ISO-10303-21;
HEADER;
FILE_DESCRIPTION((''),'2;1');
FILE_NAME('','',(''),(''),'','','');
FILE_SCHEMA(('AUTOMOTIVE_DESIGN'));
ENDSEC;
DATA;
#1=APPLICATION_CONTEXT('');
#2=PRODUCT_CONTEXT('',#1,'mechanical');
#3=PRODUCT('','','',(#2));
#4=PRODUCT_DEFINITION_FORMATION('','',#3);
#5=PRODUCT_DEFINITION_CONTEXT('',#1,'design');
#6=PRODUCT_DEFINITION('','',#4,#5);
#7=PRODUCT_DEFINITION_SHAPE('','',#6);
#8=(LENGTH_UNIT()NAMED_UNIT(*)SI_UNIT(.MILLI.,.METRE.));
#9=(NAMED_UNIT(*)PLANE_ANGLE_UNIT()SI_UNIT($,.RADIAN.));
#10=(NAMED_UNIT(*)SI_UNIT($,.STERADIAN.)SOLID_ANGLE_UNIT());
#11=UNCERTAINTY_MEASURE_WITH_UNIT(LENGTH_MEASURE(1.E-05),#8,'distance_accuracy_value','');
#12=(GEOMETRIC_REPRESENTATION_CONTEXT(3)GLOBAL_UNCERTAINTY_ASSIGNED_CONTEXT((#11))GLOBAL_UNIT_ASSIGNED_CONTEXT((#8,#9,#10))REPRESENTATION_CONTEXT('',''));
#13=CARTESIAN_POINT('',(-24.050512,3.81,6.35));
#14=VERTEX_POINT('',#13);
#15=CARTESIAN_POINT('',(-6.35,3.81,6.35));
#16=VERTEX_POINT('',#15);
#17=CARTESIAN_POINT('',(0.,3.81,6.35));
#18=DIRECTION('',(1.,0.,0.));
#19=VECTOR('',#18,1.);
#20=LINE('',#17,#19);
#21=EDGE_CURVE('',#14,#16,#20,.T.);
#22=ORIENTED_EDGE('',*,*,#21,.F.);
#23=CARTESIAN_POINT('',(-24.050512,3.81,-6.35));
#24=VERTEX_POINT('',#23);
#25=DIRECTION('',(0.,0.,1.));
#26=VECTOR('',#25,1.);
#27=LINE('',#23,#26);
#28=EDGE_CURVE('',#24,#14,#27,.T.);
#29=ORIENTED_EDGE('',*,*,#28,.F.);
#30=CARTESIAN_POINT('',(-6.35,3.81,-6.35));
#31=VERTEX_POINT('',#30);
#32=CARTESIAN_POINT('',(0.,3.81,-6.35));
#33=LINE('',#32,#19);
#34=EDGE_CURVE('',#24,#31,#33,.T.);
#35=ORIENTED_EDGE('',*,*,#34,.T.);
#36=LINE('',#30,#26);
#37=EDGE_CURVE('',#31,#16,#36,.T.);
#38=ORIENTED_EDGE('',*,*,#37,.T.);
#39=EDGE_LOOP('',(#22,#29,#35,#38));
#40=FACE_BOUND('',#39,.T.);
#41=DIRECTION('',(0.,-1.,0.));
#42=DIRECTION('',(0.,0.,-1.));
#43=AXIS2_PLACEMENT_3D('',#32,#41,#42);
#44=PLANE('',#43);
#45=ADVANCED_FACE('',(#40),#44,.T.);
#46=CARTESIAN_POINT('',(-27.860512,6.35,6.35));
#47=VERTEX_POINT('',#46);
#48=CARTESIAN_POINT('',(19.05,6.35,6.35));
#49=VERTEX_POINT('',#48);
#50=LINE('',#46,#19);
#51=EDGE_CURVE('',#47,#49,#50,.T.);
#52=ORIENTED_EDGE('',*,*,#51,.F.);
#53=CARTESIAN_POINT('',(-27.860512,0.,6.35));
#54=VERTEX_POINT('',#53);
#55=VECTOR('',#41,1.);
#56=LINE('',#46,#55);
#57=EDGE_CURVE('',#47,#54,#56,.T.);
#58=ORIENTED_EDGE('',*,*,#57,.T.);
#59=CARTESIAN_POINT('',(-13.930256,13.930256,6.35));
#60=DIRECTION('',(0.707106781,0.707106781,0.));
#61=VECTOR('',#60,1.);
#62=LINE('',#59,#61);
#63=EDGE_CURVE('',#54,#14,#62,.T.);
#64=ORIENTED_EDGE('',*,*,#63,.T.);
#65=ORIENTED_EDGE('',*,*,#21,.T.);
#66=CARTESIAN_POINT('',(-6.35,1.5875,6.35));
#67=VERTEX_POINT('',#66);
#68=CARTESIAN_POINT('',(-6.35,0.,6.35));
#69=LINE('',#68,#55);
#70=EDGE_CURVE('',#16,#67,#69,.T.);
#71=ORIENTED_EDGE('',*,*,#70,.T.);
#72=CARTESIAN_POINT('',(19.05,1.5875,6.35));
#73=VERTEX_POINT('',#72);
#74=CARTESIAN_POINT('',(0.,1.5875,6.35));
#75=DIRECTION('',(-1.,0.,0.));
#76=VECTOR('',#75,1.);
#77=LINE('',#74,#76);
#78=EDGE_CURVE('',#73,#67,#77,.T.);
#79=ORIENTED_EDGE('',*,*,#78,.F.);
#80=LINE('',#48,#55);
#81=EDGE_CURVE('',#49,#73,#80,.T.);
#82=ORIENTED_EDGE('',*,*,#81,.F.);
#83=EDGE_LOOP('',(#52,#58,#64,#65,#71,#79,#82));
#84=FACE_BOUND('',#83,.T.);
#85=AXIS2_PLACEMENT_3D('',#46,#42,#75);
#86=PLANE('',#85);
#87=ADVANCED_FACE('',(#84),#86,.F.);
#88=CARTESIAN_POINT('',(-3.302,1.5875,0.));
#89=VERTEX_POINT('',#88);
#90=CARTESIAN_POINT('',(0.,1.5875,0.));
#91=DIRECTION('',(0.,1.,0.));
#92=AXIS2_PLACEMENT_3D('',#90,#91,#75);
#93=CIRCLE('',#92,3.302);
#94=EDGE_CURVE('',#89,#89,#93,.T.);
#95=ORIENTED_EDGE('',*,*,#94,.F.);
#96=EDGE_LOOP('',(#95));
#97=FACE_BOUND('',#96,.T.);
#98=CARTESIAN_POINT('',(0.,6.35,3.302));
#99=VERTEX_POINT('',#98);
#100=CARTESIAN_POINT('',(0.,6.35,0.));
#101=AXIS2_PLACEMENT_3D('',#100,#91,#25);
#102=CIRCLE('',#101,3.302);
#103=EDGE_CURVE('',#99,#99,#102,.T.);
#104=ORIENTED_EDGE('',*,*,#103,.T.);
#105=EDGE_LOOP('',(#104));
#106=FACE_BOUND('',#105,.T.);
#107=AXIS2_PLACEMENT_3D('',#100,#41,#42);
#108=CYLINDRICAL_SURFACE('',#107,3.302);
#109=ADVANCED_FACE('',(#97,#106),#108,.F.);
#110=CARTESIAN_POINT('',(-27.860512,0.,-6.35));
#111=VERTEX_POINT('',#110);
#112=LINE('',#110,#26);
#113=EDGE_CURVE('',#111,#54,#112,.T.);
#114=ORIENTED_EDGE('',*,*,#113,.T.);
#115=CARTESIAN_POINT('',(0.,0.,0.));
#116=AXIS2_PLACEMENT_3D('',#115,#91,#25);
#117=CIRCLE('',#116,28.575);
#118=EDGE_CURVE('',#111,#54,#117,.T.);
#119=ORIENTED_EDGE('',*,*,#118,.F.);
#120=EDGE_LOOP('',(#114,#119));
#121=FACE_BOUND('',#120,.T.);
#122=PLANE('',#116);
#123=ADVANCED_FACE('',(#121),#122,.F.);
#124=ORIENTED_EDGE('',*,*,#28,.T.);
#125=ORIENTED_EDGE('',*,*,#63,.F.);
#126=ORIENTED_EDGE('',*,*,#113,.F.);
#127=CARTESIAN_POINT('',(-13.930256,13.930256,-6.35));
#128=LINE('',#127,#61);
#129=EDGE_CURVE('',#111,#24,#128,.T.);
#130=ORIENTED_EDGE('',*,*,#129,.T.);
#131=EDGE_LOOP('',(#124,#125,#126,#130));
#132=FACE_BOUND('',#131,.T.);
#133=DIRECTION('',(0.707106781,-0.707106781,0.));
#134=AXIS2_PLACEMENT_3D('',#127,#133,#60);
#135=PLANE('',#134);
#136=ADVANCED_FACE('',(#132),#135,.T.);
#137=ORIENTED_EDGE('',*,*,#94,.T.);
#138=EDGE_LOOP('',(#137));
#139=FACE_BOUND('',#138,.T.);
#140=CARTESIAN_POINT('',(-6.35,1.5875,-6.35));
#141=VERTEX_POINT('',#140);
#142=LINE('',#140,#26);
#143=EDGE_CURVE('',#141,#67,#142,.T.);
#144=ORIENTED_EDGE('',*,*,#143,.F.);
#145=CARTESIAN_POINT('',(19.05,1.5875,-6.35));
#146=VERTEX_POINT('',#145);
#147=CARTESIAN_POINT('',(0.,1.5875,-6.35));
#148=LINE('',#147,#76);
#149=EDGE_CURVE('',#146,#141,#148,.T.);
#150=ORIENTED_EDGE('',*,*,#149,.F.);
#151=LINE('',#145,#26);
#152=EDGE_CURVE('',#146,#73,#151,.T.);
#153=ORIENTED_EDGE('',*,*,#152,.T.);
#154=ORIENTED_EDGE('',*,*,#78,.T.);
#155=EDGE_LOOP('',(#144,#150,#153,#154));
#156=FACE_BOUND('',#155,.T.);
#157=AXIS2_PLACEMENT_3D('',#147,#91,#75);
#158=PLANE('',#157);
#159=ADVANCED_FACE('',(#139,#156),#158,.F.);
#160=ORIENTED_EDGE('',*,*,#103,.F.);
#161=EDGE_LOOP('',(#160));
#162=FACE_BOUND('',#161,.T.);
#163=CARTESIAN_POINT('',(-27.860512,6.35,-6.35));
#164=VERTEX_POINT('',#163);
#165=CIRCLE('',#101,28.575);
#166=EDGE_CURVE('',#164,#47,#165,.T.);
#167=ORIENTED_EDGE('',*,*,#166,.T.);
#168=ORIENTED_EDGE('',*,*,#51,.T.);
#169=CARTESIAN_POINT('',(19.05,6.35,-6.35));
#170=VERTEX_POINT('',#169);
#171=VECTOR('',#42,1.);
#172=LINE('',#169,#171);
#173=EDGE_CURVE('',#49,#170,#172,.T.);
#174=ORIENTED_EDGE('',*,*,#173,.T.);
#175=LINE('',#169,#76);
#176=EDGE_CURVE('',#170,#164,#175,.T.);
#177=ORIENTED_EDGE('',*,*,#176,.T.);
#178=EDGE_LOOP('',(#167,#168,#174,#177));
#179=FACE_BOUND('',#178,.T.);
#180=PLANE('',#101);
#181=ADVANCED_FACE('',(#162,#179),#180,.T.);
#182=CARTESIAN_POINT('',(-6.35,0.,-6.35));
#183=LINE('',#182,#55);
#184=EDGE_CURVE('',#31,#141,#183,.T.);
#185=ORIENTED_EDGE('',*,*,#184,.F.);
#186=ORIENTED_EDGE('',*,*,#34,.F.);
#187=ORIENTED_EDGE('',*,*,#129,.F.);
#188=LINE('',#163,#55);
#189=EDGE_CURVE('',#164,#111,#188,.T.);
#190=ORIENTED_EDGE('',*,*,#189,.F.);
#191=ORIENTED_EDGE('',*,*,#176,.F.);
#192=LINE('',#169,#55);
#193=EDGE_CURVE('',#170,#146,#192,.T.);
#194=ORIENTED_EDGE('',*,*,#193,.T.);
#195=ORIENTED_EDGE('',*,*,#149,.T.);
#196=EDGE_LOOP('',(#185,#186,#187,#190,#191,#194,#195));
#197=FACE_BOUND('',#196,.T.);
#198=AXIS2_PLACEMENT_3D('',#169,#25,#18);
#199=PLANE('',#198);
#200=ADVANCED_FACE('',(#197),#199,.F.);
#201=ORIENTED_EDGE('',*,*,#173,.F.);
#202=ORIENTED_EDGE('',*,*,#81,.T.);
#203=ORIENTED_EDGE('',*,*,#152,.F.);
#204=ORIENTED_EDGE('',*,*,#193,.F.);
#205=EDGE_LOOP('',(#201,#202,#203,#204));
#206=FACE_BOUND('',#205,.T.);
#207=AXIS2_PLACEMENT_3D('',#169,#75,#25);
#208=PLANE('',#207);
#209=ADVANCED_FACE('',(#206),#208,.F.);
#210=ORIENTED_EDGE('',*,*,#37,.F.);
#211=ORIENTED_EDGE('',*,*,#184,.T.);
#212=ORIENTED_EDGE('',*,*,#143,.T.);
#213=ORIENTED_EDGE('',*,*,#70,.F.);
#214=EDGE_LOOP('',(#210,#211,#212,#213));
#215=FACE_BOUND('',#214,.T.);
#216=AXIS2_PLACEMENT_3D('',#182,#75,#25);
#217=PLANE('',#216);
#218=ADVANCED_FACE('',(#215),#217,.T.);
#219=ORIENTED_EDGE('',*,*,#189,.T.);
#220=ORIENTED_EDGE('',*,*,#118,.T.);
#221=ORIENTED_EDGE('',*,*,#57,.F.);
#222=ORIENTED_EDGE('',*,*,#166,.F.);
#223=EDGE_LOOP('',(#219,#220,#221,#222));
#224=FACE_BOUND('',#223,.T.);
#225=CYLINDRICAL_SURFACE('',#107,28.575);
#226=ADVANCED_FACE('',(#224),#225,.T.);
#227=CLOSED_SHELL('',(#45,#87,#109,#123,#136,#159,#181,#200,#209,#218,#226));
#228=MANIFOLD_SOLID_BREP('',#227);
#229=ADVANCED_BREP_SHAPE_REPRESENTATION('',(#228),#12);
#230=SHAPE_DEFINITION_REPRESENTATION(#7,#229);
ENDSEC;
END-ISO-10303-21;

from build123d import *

# Parameters (mm, degrees)
SKETCH1_R           = 3.302
BOSS_EXTRUDE1_DEPTH = 6.35
CUT_EXTRUDE1_DEPTH  = 13.7


with BuildPart() as part:
    # Sketch1 → Boss-Extrude1 (new body)
    with BuildSketch(Plane(origin=(0, 0, 0), x_dir=(1, 0, 0), z_dir=(0, 1, 0))):
        with BuildLine():
            Line((19.05, 6.35), (19.05, -6.35))
            Line((19.05, -6.35), (-27.86051193, -6.35))
            ThreePointArc((-27.86051193, -6.35), (-28.575, 0), (-27.86051193, 6.35))
            Line((-27.86051193, 6.35), (19.05, 6.35))
        make_face()
        Circle(SKETCH1_R, mode=Mode.SUBTRACT)
    extrude(amount=BOSS_EXTRUDE1_DEPTH)

    # Sketch2 → Cut-Extrude1 (cut, through all)
    with BuildSketch(Plane.XY.offset(6.35)):
        Polygon((19.05, 0), (19.05, 1.5875), (-6.35, 1.5875), (-26.27301193, 1.5875), (-27.86051193, 0), align=None)
        Polygon((-26.27301193, 1.5875), (-6.35, 1.5875), (-6.35, 3.81), (-24.05051193, 3.81), align=None)
    extrude(amount=-CUT_EXTRUDE1_DEPTH, mode=Mode.SUBTRACT)


solid = part.part
